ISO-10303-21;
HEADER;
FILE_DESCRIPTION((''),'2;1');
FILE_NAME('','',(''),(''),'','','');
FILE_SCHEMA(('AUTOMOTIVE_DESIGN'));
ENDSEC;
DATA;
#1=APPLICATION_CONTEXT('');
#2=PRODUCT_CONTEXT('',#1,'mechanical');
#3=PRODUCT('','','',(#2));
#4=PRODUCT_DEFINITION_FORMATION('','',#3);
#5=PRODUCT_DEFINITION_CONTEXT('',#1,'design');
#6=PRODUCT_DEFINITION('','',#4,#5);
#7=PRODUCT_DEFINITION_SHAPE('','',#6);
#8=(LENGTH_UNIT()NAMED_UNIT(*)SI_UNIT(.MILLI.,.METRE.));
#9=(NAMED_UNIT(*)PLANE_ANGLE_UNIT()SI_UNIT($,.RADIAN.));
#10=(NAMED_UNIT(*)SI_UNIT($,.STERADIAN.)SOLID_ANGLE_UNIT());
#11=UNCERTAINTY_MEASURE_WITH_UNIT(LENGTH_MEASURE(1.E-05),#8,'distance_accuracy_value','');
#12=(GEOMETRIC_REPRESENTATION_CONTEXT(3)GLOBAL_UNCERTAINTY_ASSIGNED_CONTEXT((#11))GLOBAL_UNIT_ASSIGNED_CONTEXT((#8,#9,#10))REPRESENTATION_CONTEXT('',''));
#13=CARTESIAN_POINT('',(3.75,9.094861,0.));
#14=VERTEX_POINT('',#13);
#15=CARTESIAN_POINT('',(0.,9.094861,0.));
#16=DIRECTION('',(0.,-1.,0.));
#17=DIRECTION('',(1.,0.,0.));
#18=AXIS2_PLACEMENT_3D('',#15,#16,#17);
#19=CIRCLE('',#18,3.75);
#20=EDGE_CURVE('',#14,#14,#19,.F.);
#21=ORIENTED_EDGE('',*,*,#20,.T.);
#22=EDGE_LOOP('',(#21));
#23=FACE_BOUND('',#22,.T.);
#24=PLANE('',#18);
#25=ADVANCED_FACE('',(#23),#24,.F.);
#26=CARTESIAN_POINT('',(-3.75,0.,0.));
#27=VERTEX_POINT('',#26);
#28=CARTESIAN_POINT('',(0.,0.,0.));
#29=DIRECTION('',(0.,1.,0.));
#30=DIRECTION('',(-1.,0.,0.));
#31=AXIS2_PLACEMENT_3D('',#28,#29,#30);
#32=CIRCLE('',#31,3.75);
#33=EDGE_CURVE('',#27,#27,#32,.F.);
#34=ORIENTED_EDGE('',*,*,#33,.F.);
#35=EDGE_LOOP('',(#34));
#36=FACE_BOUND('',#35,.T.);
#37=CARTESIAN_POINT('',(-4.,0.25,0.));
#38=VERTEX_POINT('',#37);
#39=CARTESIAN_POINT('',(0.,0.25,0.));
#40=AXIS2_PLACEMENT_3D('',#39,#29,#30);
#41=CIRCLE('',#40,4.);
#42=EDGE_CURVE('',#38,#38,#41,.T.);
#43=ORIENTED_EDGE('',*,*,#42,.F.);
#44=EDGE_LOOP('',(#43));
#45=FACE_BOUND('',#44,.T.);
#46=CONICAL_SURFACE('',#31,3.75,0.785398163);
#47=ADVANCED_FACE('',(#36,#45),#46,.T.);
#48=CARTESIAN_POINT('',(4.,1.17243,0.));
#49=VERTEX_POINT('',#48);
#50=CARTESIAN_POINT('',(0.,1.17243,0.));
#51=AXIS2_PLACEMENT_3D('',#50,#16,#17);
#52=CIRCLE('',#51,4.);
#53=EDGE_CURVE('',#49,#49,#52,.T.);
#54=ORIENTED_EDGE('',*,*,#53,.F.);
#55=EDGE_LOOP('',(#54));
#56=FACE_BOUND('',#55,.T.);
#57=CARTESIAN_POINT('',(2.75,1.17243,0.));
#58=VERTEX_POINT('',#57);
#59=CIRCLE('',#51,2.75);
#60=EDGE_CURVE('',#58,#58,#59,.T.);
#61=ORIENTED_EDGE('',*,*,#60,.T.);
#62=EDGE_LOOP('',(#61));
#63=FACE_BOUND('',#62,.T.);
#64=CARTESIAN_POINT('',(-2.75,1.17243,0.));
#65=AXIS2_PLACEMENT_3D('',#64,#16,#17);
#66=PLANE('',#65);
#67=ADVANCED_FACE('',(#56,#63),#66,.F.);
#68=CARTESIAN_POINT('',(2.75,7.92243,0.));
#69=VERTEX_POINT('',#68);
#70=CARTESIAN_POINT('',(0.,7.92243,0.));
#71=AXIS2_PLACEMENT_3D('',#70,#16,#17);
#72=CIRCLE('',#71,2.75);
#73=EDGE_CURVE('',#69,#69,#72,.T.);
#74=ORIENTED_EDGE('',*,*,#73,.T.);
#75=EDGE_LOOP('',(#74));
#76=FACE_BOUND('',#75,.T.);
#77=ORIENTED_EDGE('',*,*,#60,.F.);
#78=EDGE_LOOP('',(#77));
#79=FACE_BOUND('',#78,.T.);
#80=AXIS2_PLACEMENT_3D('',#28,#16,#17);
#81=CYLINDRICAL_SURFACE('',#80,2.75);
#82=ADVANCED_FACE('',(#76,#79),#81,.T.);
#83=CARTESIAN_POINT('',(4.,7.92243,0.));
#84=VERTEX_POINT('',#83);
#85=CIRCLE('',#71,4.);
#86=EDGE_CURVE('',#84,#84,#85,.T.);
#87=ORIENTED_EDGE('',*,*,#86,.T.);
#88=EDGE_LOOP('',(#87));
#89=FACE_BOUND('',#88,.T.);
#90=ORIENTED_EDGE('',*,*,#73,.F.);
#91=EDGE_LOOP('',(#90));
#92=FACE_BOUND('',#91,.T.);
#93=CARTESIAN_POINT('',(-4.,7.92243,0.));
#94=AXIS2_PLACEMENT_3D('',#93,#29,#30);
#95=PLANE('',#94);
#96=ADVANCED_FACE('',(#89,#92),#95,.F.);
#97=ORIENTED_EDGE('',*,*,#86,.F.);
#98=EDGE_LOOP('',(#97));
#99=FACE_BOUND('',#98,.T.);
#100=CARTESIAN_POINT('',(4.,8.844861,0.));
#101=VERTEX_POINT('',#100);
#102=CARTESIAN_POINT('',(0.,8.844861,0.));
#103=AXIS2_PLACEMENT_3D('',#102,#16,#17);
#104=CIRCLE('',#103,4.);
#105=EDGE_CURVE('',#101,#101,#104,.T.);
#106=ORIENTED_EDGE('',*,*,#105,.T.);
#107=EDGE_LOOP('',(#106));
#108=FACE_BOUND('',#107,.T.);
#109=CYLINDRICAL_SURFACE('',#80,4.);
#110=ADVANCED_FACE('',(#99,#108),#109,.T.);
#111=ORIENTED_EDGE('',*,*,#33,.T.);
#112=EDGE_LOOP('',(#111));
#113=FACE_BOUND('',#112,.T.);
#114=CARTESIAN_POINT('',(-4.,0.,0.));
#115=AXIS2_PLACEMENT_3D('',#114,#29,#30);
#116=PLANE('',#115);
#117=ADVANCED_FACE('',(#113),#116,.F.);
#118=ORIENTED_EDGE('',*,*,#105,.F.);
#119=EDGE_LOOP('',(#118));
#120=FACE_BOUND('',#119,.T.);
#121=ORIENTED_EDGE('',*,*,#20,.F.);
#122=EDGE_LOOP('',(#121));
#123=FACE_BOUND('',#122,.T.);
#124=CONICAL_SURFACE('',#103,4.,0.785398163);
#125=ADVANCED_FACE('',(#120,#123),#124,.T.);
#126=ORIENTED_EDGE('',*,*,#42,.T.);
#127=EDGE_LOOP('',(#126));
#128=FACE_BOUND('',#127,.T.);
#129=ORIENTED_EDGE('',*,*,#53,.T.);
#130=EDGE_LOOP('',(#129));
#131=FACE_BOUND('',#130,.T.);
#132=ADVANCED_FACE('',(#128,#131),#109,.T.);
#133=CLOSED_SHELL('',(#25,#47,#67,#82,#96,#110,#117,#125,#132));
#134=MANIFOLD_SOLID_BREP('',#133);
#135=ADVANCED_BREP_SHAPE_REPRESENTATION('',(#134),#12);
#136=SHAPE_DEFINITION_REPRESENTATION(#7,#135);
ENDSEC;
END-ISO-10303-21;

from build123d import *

# Parameters (mm, degrees)
CHAMFER1_SIZE = 0.25


with BuildPart() as part:
    # Sketch1 → Revolve1 (revolve)
    with BuildSketch(Plane.XY, mode=Mode.PRIVATE) as revolve1_sk:
        Polygon((0, 9.09486067), (-4, 9.09486067), (-4, 7.922430335), (-2.75, 7.922430335), (-2.75, 1.172430335), (-4, 1.172430335), (-4, 0), (0, 0), align=None)
    revolve(revolve1_sk.sketch.rotate(Axis((0, 0, 0), (0, 1, 0)), 180), axis=Axis((0, 0, 0), (0, 1, 0)))

    # Chamfer1
    chamfer1_edges = [part.edges().sort_by_distance(p)[0] for p in [
        (-4, 0, 0),
        (-4, 9.09486067, 0),
    ]]
    chamfer(chamfer1_edges, length=CHAMFER1_SIZE)


solid = part.part
